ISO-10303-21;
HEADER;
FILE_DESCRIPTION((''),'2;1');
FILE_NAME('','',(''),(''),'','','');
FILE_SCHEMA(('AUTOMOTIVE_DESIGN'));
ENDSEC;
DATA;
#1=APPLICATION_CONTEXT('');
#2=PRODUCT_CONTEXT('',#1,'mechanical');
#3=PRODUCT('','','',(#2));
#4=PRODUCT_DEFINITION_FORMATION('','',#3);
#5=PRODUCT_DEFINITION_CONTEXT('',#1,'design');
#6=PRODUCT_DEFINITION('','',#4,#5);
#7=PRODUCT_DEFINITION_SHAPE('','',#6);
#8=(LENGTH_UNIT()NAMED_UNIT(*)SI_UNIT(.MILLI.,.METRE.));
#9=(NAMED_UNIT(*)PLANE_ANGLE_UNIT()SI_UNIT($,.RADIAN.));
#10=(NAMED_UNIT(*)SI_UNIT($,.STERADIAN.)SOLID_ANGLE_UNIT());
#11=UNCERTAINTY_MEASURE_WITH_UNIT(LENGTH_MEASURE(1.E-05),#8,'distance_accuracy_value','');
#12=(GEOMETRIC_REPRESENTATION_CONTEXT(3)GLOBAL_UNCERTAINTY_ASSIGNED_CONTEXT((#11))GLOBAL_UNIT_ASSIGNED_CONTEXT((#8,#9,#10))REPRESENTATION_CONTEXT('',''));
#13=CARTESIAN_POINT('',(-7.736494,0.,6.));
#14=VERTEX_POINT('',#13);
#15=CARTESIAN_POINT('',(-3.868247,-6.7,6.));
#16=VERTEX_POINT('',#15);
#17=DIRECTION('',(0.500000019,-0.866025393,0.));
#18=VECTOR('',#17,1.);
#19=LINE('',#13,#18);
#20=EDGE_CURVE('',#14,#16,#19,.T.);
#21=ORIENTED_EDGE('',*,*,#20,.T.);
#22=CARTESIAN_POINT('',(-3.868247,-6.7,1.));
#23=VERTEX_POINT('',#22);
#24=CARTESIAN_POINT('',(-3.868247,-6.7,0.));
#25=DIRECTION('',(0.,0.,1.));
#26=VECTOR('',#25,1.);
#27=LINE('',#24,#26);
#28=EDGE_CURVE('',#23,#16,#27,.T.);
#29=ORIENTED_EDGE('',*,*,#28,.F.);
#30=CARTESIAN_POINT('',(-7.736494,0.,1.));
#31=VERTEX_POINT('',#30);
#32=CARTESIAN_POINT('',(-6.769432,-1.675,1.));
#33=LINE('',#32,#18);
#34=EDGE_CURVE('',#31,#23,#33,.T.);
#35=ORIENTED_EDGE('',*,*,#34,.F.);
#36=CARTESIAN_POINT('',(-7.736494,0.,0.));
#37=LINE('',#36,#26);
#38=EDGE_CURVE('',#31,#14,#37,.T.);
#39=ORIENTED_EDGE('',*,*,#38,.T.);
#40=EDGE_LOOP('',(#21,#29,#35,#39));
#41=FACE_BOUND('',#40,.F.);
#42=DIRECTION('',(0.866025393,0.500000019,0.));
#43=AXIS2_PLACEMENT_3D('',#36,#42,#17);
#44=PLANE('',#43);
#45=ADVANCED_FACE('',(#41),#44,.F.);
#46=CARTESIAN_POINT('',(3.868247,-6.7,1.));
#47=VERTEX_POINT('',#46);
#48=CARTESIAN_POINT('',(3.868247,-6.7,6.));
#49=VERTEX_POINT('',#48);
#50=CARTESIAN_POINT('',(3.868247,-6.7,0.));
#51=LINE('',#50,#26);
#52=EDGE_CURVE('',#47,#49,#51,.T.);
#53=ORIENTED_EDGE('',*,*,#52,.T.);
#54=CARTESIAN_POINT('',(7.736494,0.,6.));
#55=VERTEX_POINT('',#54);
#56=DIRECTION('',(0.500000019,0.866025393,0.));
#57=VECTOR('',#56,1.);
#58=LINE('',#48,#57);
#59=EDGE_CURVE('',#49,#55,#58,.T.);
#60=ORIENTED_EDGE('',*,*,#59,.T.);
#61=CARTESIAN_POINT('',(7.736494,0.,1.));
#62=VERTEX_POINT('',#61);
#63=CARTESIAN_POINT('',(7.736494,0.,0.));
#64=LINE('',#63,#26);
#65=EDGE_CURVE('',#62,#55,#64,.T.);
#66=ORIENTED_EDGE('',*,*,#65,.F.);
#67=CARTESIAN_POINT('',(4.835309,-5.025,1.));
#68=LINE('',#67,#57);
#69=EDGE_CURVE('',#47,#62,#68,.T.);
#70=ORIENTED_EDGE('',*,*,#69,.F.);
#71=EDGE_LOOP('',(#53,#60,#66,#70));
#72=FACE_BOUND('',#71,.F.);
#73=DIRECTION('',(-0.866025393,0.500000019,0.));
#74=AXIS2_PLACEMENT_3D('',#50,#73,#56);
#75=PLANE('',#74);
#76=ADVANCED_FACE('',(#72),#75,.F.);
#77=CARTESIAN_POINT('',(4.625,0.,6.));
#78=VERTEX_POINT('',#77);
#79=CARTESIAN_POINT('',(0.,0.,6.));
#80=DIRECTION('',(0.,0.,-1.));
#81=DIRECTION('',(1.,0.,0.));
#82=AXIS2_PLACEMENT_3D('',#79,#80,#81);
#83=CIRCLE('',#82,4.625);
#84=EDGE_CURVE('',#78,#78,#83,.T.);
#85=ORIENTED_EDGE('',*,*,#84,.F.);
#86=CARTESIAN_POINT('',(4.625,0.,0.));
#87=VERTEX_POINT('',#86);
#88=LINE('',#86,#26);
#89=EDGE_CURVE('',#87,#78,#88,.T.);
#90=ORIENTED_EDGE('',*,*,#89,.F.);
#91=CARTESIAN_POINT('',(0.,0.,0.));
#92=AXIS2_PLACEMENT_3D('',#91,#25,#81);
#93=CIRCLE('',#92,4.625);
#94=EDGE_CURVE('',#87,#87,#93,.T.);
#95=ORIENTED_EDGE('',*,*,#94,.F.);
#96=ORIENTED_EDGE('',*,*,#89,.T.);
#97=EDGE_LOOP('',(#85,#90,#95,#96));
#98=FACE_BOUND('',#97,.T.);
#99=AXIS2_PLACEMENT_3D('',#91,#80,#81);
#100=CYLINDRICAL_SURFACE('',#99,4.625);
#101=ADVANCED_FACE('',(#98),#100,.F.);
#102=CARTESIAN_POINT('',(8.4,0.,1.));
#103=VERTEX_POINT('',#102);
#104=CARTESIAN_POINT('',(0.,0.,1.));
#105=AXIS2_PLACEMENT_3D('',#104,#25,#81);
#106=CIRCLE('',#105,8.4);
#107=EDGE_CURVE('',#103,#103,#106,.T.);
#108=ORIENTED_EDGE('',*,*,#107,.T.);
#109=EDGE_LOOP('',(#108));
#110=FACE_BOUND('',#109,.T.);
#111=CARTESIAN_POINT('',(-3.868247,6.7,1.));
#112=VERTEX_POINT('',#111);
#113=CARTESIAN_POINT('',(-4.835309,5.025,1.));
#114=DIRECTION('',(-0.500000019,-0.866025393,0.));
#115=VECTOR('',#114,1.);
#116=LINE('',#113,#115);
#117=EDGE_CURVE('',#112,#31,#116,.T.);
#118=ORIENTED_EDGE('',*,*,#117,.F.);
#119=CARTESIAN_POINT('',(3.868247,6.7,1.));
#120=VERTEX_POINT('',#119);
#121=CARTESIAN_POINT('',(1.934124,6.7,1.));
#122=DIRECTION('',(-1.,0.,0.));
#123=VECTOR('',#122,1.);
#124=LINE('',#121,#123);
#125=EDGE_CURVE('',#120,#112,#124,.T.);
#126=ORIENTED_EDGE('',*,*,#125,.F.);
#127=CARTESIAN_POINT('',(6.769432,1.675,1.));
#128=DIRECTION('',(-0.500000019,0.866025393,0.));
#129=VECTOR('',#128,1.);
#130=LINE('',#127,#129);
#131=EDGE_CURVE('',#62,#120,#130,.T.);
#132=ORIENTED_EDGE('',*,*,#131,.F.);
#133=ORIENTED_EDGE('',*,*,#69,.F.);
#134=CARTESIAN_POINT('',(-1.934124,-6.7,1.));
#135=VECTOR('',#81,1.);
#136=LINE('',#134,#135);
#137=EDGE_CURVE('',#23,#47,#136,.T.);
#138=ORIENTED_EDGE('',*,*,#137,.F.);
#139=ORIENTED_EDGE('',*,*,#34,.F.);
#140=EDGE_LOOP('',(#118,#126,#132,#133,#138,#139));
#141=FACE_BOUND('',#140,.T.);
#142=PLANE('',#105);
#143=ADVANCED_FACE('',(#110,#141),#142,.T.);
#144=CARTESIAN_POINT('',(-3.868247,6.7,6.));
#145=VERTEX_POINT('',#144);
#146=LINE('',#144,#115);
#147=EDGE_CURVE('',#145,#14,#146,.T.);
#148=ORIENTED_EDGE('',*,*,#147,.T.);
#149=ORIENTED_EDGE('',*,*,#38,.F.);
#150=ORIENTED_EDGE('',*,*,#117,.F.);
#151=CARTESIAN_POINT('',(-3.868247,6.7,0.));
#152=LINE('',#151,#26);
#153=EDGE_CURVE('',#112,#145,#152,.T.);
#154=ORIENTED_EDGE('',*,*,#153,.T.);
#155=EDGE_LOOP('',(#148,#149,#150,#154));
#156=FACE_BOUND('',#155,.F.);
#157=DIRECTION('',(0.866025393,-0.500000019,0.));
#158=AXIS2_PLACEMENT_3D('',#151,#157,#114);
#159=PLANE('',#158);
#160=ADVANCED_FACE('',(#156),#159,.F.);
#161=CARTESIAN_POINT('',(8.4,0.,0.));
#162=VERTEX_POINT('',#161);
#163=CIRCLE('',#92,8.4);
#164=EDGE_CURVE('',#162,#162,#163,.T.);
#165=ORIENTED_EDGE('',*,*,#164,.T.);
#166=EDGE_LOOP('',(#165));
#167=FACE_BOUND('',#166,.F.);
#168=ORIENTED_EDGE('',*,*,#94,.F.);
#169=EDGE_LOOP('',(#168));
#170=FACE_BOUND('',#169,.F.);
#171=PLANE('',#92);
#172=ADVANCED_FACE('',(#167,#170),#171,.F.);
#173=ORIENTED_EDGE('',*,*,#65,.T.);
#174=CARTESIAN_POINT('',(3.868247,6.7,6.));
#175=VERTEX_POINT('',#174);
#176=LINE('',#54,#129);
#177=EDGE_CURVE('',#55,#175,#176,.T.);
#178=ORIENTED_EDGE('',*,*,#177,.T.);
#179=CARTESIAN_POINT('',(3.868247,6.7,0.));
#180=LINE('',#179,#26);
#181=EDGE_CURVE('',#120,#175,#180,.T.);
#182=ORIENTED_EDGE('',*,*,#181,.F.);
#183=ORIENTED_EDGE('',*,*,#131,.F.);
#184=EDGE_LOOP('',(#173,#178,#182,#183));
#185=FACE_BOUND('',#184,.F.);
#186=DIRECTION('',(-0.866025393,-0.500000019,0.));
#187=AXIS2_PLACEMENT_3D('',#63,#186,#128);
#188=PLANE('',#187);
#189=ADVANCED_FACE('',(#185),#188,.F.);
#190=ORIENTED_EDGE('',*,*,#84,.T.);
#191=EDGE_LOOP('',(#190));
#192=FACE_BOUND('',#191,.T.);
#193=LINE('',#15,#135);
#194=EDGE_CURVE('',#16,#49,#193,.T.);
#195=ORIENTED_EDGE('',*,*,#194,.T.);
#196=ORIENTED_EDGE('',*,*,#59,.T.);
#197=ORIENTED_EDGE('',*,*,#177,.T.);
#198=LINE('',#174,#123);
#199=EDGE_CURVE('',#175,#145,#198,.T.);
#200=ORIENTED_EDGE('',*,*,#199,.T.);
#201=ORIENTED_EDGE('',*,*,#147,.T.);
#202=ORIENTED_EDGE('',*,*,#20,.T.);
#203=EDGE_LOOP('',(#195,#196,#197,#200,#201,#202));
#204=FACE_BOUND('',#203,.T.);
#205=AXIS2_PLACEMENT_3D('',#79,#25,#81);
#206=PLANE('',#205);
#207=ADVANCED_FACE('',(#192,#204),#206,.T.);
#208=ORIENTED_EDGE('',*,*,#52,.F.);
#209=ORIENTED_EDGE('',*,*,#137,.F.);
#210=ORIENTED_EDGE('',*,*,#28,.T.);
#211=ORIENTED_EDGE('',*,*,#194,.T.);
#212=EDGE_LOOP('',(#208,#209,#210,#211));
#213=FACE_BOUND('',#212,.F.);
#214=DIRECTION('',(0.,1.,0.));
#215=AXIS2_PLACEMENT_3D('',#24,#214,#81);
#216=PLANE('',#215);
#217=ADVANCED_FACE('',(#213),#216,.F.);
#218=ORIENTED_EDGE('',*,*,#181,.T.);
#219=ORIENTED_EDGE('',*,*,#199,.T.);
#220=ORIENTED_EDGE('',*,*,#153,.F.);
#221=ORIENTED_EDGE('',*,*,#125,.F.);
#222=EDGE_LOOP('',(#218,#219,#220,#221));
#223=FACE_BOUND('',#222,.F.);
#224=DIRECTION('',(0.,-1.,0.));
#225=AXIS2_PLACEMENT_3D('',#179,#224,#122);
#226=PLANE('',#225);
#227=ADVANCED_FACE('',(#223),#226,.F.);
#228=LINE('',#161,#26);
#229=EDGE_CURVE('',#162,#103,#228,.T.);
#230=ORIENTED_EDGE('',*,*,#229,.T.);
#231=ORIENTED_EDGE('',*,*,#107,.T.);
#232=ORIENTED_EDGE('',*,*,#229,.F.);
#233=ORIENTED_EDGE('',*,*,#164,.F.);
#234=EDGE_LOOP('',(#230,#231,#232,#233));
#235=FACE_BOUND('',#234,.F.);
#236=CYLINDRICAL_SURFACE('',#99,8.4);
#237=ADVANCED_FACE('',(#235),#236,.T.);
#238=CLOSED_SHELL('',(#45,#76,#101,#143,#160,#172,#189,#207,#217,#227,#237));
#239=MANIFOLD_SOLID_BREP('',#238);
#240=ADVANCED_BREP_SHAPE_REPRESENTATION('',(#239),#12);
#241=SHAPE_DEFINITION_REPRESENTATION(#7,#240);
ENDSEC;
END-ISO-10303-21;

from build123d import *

# Parameters (mm, degrees)
PAD001_DEPTH      = 6
SKETCH004_R       = 8.4
PAD002_DEPTH      = 1
SKETCH005_R       = 4.625
POCKET_DEPTH      = 0.001
POCKET_DEPTH_BACK = 6.001


with BuildPart() as part:
    # Sketch003 → Pad001 (new body)
    with BuildSketch(Plane.XY):
        Polygon((7.736494, 0), (3.868247, 6.7), (-3.868247, 6.7), (-7.736494, 0), (-3.868247, -6.7), (3.868247, -6.7), align=None)
    extrude(amount=PAD001_DEPTH)

    # Sketch004 → Pad002 (join)
    with BuildSketch(Plane.XY):
        Circle(SKETCH004_R)
    extrude(amount=PAD002_DEPTH)

    # Sketch005 → Pocket (cut, two sides)
    with BuildSketch(Plane.XY) as pocket_sk:
        Circle(SKETCH005_R)
    extrude(amount=-POCKET_DEPTH, mode=Mode.SUBTRACT)
    extrude(pocket_sk.sketch, amount=POCKET_DEPTH_BACK, mode=Mode.SUBTRACT)


solid = part.part
